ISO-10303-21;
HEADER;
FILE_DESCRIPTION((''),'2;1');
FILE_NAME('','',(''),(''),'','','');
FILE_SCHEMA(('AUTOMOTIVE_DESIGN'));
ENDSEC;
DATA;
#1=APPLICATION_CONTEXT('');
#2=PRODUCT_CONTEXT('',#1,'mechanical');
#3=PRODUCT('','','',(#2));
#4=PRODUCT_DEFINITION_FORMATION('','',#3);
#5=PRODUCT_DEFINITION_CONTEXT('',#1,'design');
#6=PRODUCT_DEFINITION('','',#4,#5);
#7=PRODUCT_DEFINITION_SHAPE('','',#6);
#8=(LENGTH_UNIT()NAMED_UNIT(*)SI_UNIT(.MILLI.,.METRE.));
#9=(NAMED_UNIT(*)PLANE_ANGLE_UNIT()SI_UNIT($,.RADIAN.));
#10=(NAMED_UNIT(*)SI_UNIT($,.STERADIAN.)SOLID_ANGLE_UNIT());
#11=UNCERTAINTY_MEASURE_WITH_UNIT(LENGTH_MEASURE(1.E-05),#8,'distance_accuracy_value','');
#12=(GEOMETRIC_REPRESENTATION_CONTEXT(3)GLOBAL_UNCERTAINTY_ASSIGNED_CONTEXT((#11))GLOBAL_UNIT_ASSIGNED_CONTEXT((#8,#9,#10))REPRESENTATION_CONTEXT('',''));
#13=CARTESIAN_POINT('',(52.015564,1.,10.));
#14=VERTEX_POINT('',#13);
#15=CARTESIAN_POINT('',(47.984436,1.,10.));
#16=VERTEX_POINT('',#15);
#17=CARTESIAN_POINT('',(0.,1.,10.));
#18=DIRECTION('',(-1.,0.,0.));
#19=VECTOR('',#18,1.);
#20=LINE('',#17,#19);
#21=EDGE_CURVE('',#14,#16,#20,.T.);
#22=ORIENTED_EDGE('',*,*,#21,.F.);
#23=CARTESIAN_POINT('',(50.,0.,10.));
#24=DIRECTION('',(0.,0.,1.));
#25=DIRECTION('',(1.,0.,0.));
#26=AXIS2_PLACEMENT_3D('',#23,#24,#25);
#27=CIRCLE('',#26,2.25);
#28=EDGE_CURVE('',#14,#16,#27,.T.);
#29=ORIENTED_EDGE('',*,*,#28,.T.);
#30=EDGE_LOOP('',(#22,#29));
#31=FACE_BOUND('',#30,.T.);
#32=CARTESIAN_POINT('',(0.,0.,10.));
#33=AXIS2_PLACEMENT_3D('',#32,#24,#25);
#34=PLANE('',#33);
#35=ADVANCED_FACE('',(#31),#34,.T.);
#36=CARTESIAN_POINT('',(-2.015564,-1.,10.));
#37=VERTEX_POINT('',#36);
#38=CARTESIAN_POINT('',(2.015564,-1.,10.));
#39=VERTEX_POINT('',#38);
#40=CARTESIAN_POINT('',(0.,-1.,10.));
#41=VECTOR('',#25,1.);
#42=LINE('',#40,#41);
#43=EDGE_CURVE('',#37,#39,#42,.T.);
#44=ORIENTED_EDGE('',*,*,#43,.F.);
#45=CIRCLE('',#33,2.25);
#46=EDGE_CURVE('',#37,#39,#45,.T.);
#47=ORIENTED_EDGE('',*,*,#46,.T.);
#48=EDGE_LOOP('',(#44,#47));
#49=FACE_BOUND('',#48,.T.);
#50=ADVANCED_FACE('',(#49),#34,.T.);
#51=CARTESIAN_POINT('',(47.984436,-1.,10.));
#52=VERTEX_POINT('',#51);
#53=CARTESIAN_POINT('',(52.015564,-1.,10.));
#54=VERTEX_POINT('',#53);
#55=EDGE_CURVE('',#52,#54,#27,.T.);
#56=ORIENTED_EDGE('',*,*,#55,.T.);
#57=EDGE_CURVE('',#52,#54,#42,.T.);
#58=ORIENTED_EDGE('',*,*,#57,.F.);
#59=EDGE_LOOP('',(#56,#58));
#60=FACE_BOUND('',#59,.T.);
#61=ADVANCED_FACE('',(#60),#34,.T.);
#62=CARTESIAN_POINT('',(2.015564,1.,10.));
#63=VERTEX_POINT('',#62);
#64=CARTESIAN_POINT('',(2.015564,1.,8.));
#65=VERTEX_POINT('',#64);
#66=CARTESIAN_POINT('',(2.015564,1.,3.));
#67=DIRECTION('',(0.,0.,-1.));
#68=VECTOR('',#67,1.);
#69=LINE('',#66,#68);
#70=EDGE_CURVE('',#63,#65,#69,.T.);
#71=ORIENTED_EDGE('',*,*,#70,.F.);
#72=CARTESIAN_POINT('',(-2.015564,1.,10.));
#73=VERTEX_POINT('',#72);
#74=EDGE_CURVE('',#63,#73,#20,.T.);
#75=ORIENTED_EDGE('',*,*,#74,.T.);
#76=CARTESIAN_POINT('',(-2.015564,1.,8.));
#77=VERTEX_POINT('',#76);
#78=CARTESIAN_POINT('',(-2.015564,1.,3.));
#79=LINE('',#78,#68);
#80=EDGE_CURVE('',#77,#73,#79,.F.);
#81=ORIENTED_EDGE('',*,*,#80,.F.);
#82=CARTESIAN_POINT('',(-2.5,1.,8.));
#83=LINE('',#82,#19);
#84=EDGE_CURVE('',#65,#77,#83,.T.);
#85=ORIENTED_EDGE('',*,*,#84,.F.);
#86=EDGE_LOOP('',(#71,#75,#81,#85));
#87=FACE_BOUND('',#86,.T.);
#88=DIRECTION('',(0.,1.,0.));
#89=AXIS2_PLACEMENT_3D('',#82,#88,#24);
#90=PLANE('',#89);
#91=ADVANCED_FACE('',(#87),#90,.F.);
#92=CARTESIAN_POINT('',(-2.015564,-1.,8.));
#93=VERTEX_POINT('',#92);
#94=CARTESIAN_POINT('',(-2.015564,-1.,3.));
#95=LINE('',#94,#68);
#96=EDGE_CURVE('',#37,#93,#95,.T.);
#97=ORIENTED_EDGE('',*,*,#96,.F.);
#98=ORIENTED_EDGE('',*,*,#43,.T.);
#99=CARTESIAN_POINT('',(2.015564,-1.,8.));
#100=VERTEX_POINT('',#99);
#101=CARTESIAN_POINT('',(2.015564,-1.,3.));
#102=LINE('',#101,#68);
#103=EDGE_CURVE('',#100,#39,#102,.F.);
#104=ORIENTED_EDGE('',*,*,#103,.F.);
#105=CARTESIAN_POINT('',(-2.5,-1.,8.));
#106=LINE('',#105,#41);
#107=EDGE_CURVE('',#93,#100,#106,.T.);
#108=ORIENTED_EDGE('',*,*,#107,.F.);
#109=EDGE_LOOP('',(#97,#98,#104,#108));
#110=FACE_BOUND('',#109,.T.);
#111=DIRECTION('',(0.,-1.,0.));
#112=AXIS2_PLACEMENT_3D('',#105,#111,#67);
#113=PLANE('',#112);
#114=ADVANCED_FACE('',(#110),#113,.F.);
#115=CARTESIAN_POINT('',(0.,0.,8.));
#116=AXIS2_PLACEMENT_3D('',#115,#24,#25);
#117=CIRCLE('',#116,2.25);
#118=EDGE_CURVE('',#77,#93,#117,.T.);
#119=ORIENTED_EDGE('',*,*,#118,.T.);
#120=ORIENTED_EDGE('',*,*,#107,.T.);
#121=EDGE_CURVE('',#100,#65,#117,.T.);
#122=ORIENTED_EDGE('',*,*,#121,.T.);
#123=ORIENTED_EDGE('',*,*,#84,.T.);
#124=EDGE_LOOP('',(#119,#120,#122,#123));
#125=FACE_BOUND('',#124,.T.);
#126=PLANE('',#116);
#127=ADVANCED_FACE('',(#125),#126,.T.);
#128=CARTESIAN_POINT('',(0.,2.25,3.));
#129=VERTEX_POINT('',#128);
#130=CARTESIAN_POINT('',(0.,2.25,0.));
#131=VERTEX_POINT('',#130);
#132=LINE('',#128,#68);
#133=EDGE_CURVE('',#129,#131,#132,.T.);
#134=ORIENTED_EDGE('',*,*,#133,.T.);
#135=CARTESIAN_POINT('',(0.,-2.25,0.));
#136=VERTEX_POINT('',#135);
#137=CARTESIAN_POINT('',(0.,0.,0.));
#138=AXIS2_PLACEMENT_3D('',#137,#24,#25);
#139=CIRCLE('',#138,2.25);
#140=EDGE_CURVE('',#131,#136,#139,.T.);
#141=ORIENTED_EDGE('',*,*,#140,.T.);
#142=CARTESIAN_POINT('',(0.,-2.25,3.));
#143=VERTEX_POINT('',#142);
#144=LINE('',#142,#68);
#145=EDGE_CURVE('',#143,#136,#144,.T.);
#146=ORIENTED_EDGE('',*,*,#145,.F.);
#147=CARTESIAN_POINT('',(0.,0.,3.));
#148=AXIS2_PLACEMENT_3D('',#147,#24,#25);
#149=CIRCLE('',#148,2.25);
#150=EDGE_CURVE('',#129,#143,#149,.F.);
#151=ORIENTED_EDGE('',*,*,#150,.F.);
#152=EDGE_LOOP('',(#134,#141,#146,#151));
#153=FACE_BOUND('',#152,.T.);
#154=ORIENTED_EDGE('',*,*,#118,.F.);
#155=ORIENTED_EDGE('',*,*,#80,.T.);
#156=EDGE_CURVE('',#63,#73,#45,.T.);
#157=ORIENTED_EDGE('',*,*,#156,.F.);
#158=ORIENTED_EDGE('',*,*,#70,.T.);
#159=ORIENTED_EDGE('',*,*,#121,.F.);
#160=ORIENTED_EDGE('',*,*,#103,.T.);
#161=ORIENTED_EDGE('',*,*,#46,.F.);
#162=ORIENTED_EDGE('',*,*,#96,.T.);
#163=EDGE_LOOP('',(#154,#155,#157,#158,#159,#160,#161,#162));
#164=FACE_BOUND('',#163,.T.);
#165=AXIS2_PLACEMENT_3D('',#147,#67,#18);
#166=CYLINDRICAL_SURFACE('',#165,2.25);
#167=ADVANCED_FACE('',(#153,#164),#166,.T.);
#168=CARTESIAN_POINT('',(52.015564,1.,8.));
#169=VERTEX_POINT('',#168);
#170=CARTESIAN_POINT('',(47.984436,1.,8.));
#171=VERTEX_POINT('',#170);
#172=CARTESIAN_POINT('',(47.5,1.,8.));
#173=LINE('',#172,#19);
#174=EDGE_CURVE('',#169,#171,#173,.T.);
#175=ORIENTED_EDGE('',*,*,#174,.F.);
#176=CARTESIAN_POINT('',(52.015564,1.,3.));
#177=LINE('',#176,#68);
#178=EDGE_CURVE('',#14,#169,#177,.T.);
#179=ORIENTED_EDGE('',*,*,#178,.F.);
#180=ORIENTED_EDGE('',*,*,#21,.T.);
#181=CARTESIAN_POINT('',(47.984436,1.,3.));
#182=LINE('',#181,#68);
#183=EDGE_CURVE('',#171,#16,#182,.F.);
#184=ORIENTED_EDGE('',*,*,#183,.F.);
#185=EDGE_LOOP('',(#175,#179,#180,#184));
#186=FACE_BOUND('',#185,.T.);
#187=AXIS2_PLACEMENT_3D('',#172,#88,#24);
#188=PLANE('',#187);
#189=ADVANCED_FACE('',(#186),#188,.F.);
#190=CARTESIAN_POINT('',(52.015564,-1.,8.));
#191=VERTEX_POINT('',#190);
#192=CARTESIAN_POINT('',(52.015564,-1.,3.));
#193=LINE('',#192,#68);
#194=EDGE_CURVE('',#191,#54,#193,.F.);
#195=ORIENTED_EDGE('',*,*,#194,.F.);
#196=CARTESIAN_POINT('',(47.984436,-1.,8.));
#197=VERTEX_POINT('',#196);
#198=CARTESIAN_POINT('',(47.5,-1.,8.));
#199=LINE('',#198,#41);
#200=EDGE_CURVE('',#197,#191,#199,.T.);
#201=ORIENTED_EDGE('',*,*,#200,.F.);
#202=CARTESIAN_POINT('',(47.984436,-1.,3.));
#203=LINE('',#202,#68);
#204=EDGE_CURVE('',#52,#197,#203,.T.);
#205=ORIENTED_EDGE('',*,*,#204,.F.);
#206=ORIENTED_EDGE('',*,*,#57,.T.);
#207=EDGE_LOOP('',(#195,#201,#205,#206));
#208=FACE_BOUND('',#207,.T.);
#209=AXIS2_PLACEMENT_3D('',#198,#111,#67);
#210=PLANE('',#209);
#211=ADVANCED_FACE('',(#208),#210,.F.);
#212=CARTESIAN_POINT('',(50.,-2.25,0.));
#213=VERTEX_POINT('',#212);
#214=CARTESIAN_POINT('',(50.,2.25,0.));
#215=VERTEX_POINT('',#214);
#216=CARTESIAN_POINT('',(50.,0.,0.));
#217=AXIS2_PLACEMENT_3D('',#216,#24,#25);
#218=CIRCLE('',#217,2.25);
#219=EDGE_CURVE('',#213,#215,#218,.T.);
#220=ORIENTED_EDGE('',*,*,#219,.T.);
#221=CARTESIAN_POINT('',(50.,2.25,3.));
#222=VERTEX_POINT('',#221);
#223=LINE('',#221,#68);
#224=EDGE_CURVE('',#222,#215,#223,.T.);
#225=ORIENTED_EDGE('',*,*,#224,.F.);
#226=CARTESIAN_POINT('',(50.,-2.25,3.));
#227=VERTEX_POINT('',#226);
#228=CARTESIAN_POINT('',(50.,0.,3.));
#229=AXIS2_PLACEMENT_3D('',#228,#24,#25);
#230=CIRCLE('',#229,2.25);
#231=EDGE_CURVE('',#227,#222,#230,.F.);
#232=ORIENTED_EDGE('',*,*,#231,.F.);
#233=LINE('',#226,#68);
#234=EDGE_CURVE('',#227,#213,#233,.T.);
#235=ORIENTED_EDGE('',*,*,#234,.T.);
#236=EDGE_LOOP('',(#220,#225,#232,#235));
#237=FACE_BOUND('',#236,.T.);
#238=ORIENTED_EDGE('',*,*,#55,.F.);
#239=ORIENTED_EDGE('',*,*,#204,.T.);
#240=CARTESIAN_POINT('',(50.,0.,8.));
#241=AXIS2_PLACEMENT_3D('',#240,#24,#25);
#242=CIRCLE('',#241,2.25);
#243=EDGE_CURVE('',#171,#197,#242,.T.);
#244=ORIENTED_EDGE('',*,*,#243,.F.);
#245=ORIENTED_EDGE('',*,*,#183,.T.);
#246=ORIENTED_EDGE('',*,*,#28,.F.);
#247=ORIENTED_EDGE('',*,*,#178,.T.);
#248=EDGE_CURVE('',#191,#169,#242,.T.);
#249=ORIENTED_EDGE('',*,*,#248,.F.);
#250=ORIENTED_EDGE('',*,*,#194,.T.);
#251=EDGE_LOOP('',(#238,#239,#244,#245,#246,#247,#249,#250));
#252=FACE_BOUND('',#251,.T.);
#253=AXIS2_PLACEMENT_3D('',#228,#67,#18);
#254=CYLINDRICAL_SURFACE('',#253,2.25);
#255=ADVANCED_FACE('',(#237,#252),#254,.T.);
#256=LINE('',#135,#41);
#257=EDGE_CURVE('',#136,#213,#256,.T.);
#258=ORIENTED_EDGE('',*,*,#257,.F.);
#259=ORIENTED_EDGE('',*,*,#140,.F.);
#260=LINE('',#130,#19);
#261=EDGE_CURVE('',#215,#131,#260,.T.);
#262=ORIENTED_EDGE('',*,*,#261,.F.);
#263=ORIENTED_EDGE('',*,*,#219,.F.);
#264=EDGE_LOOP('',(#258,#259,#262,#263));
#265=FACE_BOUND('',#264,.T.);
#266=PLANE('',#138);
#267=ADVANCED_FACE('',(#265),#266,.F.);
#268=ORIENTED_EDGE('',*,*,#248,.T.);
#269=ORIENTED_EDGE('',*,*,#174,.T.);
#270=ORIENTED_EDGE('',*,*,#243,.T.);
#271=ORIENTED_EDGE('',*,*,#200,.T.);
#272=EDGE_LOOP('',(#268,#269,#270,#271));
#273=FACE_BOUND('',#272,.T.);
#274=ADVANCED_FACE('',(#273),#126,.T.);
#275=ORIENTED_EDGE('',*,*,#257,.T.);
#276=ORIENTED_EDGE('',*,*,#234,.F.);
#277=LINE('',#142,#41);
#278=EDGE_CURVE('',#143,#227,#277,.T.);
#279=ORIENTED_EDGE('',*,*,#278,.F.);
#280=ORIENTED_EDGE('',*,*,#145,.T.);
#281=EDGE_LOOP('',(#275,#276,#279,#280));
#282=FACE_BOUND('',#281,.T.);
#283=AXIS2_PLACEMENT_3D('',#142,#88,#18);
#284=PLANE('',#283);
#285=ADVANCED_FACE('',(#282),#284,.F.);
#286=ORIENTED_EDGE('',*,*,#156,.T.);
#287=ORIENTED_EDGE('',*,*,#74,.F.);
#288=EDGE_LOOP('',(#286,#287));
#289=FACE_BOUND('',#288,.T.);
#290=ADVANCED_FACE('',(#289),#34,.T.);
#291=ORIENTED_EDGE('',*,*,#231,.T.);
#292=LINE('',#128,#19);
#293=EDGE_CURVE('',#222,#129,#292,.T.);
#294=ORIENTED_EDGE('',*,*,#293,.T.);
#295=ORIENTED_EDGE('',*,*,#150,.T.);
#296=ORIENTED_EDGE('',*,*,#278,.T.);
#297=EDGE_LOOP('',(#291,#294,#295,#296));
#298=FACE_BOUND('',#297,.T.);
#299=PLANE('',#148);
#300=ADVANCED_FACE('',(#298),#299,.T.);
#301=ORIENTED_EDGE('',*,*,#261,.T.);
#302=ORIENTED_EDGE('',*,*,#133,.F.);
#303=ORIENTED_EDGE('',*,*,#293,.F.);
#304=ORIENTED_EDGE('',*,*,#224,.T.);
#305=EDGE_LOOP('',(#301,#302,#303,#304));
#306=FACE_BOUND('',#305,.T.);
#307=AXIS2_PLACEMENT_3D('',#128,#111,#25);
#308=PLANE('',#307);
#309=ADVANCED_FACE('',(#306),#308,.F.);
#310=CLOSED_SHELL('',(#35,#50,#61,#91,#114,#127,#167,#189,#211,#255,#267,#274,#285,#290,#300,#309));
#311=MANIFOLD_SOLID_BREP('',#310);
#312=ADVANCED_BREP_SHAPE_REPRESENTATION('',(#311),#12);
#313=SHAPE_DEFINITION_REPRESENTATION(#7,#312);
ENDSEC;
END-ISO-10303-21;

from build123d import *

# Parameters (mm, degrees)
EXTRUDE_1_DEPTH     = 3
SKETCH_1_3_R        = 2.25
EXTRUDE_2_DEPTH     = 10
SKETCH_2_W          = 5
SKETCH_2_H          = 2
CUT_EXTRUDE_1_DEPTH = 2


with BuildPart() as part:
    # 草图1 → 凸台-拉伸1 (new body)
    with BuildSketch(Plane.XY):
        with BuildLine():
            Line((0, -2.25), (50, -2.25))
            ThreePointArc((50, -2.25), (52.25, 0), (50, 2.25))
            Line((50, 2.25), (0, 2.25))
            ThreePointArc((0, 2.25), (-2.25, 0), (0, -2.25))
        make_face()
    extrude(amount=EXTRUDE_1_DEPTH)

    # 草图1<3> → 凸台-拉伸2 (add)
    with BuildSketch(Plane.XY):
        Circle(SKETCH_1_3_R)
        with Locations((50, 0)):
            Circle(SKETCH_1_3_R)
    extrude(amount=EXTRUDE_2_DEPTH)

    # 草图2 → 切除-拉伸1 (cut)
    with BuildSketch(Plane.XY.offset(10)):
        Rectangle(SKETCH_2_W, SKETCH_2_H)
        with Locations((50, 0)):
            Rectangle(SKETCH_2_W, SKETCH_2_H)
    extrude(amount=-CUT_EXTRUDE_1_DEPTH, mode=Mode.SUBTRACT)


solid = part.part
